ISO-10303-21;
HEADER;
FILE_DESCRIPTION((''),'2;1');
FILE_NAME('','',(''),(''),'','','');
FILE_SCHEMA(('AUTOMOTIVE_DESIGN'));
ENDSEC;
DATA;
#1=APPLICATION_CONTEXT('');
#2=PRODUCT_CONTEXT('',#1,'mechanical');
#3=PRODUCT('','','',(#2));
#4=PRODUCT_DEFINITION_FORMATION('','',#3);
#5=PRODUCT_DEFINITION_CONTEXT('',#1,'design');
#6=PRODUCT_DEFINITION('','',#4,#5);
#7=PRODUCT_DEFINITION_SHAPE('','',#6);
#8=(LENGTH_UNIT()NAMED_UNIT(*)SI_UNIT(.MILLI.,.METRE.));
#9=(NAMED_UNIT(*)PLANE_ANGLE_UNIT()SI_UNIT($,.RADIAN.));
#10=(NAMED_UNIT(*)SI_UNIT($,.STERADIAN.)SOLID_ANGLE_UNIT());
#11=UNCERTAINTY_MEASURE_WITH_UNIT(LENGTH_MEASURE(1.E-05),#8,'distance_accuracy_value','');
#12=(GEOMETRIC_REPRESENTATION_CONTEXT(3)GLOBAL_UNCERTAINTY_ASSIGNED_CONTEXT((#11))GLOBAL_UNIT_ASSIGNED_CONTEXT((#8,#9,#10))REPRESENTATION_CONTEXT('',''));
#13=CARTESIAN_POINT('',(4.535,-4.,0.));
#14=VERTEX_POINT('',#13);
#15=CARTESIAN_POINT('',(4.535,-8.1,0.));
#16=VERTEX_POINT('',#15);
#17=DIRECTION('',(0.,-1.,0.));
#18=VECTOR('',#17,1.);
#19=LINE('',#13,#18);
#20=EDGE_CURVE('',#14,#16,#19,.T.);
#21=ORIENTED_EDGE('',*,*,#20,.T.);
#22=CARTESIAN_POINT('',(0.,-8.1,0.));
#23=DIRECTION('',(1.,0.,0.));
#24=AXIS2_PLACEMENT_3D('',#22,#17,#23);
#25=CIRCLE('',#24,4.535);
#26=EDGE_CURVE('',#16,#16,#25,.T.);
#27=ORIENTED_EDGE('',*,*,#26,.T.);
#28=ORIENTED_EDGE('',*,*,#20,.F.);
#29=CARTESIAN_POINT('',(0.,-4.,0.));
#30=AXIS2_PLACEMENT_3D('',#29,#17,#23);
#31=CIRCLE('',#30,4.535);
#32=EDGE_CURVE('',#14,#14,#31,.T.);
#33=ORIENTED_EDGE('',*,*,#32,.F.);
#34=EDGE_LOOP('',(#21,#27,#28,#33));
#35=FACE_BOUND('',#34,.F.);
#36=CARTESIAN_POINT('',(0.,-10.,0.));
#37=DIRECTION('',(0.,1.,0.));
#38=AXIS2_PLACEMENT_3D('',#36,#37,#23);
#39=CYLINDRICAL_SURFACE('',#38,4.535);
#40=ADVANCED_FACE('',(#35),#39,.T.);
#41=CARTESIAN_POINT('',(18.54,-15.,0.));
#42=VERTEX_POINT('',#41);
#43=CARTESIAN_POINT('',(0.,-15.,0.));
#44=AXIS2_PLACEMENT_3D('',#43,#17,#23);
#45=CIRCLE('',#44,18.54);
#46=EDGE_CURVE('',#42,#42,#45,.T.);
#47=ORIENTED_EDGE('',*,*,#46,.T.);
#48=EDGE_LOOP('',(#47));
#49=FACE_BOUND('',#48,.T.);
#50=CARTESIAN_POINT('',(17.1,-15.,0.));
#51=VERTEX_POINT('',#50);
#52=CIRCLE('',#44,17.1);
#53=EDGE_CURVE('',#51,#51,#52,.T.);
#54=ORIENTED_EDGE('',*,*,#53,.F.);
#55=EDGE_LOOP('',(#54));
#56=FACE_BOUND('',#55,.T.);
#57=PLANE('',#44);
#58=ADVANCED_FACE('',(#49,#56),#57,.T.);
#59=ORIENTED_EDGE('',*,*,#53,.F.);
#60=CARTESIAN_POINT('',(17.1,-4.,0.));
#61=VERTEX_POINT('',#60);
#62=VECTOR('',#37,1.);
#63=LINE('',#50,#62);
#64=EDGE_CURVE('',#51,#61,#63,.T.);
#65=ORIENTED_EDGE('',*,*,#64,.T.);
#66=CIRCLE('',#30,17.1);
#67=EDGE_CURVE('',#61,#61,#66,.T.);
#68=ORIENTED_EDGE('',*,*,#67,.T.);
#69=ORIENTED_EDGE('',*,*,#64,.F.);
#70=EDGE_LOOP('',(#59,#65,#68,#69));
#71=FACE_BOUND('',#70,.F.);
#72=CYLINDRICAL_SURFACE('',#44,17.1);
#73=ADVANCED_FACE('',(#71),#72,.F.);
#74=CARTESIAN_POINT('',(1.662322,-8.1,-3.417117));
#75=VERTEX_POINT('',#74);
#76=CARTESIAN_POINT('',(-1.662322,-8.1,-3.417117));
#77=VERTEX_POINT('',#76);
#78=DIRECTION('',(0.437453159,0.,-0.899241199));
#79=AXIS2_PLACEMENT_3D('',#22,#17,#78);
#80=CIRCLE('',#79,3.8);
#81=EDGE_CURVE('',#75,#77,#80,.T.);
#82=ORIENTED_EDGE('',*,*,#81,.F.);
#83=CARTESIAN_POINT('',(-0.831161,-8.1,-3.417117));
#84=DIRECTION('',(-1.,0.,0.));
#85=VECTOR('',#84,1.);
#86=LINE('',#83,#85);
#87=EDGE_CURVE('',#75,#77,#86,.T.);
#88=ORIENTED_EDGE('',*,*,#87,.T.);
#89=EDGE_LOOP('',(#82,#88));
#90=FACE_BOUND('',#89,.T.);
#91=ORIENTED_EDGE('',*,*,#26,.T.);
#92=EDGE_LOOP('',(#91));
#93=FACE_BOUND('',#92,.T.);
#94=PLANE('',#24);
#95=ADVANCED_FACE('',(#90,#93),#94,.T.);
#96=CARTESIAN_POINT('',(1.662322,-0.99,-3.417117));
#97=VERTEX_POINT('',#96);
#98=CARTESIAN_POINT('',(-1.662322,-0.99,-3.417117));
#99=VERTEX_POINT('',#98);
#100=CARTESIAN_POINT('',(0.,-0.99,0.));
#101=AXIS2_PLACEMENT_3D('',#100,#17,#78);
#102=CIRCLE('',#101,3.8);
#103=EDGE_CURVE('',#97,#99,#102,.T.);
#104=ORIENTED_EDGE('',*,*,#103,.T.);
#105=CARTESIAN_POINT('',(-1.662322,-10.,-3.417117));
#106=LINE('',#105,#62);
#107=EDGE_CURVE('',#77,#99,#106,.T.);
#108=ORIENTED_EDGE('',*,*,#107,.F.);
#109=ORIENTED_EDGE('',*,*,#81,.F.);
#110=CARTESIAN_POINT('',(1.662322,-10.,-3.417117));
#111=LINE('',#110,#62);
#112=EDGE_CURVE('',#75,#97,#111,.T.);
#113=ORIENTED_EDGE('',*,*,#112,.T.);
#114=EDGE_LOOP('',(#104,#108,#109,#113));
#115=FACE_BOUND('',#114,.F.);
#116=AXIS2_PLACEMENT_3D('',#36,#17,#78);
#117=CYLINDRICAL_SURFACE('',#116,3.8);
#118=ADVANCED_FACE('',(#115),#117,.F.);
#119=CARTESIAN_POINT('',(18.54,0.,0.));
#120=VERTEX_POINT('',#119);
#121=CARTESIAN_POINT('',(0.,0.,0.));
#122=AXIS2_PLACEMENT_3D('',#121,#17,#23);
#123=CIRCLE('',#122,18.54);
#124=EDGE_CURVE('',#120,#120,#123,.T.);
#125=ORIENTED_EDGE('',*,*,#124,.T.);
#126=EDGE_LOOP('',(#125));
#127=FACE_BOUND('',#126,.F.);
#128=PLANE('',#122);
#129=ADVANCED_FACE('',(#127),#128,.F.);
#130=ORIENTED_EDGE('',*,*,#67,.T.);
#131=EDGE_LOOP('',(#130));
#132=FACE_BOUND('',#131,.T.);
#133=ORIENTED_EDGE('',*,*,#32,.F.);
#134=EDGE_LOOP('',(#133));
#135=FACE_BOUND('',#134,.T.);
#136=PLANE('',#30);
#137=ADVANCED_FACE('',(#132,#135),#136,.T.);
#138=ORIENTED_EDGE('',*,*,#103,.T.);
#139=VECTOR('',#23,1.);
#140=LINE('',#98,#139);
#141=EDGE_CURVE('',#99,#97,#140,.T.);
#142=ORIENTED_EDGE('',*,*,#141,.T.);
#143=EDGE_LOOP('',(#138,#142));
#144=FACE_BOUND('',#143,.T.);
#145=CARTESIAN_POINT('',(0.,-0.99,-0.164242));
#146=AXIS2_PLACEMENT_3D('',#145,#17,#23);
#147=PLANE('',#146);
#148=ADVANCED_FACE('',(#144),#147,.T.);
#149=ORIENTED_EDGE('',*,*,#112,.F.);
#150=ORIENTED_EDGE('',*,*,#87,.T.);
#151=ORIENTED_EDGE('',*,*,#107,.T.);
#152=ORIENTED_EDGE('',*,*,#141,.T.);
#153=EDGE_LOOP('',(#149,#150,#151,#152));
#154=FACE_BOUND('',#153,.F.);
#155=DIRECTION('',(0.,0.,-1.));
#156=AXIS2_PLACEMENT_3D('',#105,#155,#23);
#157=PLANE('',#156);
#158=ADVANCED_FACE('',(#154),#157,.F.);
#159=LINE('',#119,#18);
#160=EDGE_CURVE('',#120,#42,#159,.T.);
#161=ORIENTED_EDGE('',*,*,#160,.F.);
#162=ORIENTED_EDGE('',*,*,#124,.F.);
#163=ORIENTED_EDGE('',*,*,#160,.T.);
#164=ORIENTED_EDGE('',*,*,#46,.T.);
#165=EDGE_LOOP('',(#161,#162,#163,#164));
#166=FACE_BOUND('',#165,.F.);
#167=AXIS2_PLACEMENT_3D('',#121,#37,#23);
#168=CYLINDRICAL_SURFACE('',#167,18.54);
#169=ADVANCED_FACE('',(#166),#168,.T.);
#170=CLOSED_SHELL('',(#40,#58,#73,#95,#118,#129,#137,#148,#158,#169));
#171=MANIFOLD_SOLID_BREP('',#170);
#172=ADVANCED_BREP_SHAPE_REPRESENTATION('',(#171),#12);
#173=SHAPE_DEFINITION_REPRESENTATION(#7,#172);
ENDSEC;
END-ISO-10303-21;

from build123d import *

# Parameters (mm, degrees)
F0_R      = 18.54
F1_DEPTH  = 15
F2_R      = 17.1
F3_DEPTH  = 11
F5_R      = 4.535
F6_DEPTH  = 6
F9_DEPTH  = 9.01
F7_R      = 4.535
F10_DEPTH = 1.5
F11_DEPTH = 3.4


with BuildPart() as f1:
    # F0 (on Front) → F1 (new body)
    with BuildSketch(Plane.XZ):
        Circle(F0_R)
        with BuildLine():
            ThreePointArc((-2.5, -3.7836787654), (-2.1481067245, 3.9939782799), (4.535, 0))
            ThreePointArc((4.535, 0), (3.9939782799, -2.1481067245), (2.5, -3.7836787654))
            ThreePointArc((2.5, -3.7836787654), (0, -4.535), (-2.5, -3.7836787654))
        make_face(mode=Mode.SUBTRACT)
        with BuildLine():
            ThreePointArc((2.5, -3.7836787654), (3.9939782799, -2.1481067245), (4.535, 0))
            ThreePointArc((4.535, 0), (-2.1481067245, 3.9939782799), (-2.5, -3.7836787654))
            Line((-2.5, -3.7836787654), (2.5, -3.7836787654))
        make_face()
        with BuildLine():
            Line((2.5, -3.7836787654), (-2.5, -3.7836787654))
            ThreePointArc((-2.5, -3.7836787654), (0, -4.535), (2.5, -3.7836787654))
        make_face()
    extrude(amount=F1_DEPTH)

    # F2 (on face) → F3 (cut)
    with BuildSketch(Plane.XZ.offset(15)):
        Circle(F2_R)
    extrude(amount=-F3_DEPTH, mode=Mode.SUBTRACT)

    # F5 (on face) → F6 (join)
    with BuildSketch(Plane.XZ.offset(4)):
        Circle(F5_R)
    extrude(amount=F6_DEPTH)

    # F8 (on face) → F9 (cut)
    with BuildSketch(Plane.XZ.offset(10)):
        with BuildLine():
            ThreePointArc((1.662322006, -3.4171165547), (3.221554254, -2.0153382318), (3.8, 0))
            ThreePointArc((3.8, 0), (-2.0153382318, 3.221554254), (-1.662322006, -3.4171165547))
            Line((-1.662322006, -3.4171165547), (1.662322006, -3.4171165547))
        make_face()
    extrude(amount=-F9_DEPTH, mode=Mode.SUBTRACT)

    # F7 (on face) → F10 (join)
    with BuildSketch(Plane.XZ.offset(10)):
        Circle(F7_R)
    extrude(amount=F10_DEPTH)

    # F11 (cut): a face of the model
    f11_faces = [f1.faces().sort_by_distance(p)[0] for p in [
        (0, -11.5, 0),
    ]]
    extrude(f11_faces, amount=-F11_DEPTH, mode=Mode.SUBTRACT)


solid = f1.part
